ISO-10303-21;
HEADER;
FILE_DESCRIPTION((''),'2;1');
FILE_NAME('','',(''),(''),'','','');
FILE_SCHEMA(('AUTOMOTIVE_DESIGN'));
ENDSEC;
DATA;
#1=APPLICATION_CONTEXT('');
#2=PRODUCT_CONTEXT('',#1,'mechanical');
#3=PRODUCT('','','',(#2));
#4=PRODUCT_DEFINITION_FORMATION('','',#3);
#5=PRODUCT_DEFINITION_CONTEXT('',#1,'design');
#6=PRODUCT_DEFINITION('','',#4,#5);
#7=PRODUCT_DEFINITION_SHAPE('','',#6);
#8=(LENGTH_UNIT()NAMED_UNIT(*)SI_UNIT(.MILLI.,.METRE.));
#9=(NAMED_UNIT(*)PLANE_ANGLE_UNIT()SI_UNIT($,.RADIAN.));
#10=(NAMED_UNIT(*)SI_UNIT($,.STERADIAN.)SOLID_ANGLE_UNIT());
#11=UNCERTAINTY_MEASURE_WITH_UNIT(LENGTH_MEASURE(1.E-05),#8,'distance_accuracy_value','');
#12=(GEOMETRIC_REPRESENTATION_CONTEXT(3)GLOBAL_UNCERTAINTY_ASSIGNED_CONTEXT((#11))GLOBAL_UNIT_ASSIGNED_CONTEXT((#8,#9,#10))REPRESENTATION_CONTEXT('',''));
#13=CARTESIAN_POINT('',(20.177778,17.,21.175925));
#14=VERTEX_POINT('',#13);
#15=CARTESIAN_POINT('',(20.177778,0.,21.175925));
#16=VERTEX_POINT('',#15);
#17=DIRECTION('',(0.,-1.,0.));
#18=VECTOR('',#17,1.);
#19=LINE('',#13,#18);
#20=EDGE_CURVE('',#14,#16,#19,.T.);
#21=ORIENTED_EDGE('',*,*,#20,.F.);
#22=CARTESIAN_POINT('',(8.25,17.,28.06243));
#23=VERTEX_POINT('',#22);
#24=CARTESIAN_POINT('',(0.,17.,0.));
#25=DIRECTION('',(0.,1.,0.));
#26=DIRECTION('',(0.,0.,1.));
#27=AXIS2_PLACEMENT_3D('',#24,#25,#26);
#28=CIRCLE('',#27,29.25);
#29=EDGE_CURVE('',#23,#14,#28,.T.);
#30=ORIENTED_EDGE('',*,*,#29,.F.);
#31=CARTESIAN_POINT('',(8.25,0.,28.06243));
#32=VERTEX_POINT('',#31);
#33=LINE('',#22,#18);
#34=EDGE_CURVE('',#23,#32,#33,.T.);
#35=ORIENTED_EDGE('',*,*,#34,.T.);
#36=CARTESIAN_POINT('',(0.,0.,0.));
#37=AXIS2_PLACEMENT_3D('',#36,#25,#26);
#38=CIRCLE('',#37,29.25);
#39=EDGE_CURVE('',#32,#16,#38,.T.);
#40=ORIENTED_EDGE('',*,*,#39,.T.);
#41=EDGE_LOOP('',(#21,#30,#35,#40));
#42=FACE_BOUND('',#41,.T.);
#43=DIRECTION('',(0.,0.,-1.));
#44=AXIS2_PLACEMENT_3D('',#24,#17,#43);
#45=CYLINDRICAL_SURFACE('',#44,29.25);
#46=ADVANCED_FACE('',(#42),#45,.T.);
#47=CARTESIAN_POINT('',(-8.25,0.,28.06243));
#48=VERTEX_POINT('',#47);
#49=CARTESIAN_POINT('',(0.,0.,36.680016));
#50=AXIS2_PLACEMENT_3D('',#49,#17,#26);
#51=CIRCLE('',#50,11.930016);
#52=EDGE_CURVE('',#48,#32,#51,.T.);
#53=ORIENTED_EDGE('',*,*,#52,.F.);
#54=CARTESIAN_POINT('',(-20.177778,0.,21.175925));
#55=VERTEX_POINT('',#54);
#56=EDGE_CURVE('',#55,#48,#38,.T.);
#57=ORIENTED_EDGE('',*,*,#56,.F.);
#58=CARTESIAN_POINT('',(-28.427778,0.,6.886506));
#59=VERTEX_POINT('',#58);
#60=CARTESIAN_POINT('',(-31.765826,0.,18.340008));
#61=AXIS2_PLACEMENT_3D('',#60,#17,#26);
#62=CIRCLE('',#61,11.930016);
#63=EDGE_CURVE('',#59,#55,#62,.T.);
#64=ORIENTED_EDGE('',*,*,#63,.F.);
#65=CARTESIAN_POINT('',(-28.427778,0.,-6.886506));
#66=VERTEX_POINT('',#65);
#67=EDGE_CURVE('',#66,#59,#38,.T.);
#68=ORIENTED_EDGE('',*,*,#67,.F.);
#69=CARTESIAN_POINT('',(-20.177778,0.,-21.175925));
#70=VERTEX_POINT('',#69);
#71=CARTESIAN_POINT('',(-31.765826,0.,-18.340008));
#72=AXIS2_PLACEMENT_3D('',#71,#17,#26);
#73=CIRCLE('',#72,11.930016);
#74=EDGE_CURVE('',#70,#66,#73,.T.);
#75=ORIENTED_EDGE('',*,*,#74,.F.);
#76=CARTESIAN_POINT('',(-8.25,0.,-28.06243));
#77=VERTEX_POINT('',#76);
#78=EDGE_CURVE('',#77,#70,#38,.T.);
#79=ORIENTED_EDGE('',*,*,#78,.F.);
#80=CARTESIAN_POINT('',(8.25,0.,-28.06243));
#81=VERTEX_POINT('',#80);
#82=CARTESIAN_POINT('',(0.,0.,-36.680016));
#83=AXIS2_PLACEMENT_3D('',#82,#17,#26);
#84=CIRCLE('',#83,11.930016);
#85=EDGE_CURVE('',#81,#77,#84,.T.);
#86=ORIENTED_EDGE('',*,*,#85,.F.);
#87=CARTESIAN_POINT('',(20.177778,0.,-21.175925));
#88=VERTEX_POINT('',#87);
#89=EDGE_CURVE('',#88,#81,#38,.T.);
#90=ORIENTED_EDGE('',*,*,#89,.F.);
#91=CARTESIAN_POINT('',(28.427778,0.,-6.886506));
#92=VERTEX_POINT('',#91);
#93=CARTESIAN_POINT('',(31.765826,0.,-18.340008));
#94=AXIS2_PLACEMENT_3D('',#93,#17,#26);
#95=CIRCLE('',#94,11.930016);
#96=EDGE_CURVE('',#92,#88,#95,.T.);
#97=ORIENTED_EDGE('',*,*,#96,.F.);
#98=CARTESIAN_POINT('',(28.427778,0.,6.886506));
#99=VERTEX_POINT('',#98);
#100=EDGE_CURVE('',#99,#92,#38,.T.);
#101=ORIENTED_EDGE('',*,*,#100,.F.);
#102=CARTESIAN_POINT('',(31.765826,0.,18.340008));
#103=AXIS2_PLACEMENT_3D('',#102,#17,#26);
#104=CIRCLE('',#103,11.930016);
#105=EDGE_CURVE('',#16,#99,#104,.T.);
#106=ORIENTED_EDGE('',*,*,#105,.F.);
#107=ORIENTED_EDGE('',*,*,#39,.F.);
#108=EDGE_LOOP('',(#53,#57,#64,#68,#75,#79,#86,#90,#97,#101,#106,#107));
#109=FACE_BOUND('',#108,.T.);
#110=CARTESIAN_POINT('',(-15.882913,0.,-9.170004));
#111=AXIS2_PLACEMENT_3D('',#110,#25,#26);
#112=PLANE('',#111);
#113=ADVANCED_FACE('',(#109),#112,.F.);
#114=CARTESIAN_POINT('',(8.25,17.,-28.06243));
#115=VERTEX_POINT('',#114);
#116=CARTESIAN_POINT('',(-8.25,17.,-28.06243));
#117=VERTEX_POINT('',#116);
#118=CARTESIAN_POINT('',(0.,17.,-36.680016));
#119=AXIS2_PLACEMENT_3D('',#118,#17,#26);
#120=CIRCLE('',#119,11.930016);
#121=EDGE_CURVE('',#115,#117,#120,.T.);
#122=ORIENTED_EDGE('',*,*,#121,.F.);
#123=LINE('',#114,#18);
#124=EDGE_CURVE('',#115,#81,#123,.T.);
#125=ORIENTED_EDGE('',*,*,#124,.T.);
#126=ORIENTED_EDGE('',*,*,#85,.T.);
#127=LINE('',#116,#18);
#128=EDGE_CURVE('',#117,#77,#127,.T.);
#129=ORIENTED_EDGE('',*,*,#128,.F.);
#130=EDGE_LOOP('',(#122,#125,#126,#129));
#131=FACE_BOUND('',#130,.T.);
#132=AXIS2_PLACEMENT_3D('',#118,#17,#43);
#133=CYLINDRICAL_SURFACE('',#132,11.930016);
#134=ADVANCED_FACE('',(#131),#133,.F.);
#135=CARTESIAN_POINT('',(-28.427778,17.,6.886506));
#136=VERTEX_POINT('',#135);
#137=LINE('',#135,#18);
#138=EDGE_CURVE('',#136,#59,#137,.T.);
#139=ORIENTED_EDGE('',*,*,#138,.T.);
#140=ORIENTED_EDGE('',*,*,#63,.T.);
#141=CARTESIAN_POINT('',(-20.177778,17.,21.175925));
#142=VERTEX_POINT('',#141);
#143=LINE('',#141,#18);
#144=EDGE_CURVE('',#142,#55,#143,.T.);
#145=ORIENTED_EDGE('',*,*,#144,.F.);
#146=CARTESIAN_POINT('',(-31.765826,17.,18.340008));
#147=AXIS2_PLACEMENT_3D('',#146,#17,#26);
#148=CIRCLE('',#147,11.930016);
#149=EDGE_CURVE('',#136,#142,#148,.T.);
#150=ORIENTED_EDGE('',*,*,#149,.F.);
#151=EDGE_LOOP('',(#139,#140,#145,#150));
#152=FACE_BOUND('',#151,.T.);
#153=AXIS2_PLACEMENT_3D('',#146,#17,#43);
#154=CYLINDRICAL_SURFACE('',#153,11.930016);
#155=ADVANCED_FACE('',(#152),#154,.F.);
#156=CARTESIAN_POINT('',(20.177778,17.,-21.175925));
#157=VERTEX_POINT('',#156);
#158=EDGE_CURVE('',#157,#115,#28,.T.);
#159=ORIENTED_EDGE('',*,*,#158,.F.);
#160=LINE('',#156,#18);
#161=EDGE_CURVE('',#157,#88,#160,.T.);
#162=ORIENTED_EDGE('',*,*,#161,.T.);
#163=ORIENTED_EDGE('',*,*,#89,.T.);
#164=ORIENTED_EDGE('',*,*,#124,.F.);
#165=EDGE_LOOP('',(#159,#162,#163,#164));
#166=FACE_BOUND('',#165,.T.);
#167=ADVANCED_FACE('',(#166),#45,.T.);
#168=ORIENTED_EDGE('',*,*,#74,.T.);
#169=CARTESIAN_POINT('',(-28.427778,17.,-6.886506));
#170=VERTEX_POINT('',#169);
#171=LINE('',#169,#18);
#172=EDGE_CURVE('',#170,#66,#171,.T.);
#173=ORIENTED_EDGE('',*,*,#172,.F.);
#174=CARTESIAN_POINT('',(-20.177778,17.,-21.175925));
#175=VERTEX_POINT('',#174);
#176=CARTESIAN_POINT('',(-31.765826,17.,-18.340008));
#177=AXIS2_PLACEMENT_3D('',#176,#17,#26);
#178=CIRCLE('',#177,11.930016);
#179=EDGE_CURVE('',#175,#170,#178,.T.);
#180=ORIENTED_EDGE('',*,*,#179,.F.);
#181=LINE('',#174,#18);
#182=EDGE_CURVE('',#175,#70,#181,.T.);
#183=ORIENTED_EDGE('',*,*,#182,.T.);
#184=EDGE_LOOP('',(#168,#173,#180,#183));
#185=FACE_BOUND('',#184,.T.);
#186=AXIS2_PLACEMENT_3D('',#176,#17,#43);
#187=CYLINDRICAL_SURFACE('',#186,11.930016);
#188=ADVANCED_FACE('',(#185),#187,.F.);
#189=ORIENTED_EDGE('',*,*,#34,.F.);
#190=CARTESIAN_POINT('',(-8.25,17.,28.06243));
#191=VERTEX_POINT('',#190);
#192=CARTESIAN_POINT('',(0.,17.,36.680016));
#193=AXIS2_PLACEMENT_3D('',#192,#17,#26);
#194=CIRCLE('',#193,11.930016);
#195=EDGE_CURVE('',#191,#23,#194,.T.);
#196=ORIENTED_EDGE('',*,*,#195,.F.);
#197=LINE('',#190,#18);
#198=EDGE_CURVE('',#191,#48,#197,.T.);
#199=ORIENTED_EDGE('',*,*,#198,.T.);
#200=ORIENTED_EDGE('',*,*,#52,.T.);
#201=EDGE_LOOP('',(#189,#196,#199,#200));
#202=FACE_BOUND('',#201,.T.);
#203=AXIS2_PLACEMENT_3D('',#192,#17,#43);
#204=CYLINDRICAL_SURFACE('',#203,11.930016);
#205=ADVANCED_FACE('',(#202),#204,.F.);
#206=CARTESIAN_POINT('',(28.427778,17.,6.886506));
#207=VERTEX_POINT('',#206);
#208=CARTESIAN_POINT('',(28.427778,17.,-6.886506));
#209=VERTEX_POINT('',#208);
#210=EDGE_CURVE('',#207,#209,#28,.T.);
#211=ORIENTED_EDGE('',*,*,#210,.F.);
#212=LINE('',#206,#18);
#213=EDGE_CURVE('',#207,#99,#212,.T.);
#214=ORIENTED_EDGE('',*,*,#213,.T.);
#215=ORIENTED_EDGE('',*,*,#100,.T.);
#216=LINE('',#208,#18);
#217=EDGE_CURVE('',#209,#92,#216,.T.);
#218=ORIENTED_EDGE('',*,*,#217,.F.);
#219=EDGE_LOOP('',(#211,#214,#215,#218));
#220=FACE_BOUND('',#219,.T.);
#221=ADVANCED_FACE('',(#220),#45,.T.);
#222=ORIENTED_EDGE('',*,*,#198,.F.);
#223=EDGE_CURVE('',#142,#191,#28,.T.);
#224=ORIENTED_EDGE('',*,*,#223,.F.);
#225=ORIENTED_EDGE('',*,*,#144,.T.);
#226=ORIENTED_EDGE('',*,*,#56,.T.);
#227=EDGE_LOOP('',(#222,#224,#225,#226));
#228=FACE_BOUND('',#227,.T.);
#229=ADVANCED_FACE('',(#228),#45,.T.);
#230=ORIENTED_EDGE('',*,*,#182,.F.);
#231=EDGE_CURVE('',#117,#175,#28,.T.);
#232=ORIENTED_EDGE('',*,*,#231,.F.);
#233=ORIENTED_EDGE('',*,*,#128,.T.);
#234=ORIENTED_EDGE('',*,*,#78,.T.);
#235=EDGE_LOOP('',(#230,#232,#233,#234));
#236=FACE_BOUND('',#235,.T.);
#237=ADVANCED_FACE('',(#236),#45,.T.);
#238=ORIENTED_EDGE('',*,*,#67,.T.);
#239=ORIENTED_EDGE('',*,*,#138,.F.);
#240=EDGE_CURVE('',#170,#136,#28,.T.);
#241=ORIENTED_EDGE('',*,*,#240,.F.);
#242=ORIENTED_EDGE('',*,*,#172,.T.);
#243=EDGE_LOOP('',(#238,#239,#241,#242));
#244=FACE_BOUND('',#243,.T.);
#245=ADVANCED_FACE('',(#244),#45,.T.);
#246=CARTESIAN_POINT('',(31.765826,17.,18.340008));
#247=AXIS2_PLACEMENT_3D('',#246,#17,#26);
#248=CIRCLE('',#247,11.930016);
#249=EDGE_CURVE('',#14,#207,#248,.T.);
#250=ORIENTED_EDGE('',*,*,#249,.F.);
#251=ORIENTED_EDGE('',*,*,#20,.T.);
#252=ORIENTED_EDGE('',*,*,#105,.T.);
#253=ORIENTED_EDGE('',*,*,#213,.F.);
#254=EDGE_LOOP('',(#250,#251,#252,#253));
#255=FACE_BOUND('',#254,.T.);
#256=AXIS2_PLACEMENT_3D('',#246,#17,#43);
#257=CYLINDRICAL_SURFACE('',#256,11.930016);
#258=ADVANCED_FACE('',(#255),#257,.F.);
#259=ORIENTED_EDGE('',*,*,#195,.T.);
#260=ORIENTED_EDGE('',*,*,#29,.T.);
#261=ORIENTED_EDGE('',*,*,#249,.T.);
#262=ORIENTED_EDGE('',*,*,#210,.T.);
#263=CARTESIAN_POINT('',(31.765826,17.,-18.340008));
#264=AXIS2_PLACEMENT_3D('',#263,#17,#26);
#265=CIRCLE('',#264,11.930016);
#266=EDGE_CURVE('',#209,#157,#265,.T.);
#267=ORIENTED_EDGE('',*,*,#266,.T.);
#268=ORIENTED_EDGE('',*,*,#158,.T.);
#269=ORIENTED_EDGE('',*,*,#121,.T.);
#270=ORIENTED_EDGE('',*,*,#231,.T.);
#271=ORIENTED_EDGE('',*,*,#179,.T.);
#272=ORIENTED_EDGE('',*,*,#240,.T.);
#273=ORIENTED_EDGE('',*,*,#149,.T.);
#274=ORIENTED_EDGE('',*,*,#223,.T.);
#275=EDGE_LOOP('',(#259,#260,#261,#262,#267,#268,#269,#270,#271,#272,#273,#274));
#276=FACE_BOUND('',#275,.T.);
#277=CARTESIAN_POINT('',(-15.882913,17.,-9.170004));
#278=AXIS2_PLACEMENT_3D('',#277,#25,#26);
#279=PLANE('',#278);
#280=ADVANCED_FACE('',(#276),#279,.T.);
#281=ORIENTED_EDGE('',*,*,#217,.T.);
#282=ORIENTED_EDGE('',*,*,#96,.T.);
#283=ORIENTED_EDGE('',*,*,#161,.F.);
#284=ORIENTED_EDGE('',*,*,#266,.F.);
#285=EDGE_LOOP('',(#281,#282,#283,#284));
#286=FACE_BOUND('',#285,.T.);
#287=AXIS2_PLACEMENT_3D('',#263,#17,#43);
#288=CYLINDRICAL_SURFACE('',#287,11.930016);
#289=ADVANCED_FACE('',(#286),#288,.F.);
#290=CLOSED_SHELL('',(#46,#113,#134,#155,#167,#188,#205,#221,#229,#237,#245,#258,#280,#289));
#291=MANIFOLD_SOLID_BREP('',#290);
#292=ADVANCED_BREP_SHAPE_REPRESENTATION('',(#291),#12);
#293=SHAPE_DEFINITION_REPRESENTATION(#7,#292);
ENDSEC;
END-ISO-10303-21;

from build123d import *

# Parameters (mm, degrees)
SALIENTE_EXTRUIR1_DEPTH = 17


with BuildPart() as part:
    # Croquis1 → Saliente-Extruir1 (new body)
    with BuildSketch(Plane(origin=(0, 0, 0), x_dir=(1, 0, 0), z_dir=(0, 1, 0))):
        with BuildLine():
            ThreePointArc((8.25, -28.062430401), (14.625, -25.331243061), (20.177777619, -21.175924782))
            ThreePointArc((20.177777619, -21.175924782), (21.434128744, -12.375), (28.427777619, -6.886505619))
            ThreePointArc((28.427777619, -6.886505619), (29.25, 0), (28.427777619, 6.886505619))
            ThreePointArc((28.427777619, 6.886505619), (21.434128744, 12.375), (20.177777619, 21.175924782))
            ThreePointArc((20.177777619, 21.175924782), (14.625, 25.331243061), (8.25, 28.062430401))
            ThreePointArc((8.25, 28.062430401), (0, 24.75), (-8.25, 28.062430401))
            ThreePointArc((-8.25, 28.062430401), (-14.625, 25.331243061), (-20.177777619, 21.175924782))
            ThreePointArc((-20.177777619, 21.175924782), (-21.434128744, 12.375), (-28.427777619, 6.886505619))
            ThreePointArc((-28.427777619, 6.886505619), (-29.25, 0), (-28.427777619, -6.886505619))
            ThreePointArc((-28.427777619, -6.886505619), (-21.434128744, -12.375), (-20.177777619, -21.175924782))
            ThreePointArc((-20.177777619, -21.175924782), (-14.625, -25.331243061), (-8.25, -28.062430401))
            ThreePointArc((-8.25, -28.062430401), (0, -24.75), (8.25, -28.062430401))
        make_face()
    extrude(amount=SALIENTE_EXTRUIR1_DEPTH)


solid = part.part
